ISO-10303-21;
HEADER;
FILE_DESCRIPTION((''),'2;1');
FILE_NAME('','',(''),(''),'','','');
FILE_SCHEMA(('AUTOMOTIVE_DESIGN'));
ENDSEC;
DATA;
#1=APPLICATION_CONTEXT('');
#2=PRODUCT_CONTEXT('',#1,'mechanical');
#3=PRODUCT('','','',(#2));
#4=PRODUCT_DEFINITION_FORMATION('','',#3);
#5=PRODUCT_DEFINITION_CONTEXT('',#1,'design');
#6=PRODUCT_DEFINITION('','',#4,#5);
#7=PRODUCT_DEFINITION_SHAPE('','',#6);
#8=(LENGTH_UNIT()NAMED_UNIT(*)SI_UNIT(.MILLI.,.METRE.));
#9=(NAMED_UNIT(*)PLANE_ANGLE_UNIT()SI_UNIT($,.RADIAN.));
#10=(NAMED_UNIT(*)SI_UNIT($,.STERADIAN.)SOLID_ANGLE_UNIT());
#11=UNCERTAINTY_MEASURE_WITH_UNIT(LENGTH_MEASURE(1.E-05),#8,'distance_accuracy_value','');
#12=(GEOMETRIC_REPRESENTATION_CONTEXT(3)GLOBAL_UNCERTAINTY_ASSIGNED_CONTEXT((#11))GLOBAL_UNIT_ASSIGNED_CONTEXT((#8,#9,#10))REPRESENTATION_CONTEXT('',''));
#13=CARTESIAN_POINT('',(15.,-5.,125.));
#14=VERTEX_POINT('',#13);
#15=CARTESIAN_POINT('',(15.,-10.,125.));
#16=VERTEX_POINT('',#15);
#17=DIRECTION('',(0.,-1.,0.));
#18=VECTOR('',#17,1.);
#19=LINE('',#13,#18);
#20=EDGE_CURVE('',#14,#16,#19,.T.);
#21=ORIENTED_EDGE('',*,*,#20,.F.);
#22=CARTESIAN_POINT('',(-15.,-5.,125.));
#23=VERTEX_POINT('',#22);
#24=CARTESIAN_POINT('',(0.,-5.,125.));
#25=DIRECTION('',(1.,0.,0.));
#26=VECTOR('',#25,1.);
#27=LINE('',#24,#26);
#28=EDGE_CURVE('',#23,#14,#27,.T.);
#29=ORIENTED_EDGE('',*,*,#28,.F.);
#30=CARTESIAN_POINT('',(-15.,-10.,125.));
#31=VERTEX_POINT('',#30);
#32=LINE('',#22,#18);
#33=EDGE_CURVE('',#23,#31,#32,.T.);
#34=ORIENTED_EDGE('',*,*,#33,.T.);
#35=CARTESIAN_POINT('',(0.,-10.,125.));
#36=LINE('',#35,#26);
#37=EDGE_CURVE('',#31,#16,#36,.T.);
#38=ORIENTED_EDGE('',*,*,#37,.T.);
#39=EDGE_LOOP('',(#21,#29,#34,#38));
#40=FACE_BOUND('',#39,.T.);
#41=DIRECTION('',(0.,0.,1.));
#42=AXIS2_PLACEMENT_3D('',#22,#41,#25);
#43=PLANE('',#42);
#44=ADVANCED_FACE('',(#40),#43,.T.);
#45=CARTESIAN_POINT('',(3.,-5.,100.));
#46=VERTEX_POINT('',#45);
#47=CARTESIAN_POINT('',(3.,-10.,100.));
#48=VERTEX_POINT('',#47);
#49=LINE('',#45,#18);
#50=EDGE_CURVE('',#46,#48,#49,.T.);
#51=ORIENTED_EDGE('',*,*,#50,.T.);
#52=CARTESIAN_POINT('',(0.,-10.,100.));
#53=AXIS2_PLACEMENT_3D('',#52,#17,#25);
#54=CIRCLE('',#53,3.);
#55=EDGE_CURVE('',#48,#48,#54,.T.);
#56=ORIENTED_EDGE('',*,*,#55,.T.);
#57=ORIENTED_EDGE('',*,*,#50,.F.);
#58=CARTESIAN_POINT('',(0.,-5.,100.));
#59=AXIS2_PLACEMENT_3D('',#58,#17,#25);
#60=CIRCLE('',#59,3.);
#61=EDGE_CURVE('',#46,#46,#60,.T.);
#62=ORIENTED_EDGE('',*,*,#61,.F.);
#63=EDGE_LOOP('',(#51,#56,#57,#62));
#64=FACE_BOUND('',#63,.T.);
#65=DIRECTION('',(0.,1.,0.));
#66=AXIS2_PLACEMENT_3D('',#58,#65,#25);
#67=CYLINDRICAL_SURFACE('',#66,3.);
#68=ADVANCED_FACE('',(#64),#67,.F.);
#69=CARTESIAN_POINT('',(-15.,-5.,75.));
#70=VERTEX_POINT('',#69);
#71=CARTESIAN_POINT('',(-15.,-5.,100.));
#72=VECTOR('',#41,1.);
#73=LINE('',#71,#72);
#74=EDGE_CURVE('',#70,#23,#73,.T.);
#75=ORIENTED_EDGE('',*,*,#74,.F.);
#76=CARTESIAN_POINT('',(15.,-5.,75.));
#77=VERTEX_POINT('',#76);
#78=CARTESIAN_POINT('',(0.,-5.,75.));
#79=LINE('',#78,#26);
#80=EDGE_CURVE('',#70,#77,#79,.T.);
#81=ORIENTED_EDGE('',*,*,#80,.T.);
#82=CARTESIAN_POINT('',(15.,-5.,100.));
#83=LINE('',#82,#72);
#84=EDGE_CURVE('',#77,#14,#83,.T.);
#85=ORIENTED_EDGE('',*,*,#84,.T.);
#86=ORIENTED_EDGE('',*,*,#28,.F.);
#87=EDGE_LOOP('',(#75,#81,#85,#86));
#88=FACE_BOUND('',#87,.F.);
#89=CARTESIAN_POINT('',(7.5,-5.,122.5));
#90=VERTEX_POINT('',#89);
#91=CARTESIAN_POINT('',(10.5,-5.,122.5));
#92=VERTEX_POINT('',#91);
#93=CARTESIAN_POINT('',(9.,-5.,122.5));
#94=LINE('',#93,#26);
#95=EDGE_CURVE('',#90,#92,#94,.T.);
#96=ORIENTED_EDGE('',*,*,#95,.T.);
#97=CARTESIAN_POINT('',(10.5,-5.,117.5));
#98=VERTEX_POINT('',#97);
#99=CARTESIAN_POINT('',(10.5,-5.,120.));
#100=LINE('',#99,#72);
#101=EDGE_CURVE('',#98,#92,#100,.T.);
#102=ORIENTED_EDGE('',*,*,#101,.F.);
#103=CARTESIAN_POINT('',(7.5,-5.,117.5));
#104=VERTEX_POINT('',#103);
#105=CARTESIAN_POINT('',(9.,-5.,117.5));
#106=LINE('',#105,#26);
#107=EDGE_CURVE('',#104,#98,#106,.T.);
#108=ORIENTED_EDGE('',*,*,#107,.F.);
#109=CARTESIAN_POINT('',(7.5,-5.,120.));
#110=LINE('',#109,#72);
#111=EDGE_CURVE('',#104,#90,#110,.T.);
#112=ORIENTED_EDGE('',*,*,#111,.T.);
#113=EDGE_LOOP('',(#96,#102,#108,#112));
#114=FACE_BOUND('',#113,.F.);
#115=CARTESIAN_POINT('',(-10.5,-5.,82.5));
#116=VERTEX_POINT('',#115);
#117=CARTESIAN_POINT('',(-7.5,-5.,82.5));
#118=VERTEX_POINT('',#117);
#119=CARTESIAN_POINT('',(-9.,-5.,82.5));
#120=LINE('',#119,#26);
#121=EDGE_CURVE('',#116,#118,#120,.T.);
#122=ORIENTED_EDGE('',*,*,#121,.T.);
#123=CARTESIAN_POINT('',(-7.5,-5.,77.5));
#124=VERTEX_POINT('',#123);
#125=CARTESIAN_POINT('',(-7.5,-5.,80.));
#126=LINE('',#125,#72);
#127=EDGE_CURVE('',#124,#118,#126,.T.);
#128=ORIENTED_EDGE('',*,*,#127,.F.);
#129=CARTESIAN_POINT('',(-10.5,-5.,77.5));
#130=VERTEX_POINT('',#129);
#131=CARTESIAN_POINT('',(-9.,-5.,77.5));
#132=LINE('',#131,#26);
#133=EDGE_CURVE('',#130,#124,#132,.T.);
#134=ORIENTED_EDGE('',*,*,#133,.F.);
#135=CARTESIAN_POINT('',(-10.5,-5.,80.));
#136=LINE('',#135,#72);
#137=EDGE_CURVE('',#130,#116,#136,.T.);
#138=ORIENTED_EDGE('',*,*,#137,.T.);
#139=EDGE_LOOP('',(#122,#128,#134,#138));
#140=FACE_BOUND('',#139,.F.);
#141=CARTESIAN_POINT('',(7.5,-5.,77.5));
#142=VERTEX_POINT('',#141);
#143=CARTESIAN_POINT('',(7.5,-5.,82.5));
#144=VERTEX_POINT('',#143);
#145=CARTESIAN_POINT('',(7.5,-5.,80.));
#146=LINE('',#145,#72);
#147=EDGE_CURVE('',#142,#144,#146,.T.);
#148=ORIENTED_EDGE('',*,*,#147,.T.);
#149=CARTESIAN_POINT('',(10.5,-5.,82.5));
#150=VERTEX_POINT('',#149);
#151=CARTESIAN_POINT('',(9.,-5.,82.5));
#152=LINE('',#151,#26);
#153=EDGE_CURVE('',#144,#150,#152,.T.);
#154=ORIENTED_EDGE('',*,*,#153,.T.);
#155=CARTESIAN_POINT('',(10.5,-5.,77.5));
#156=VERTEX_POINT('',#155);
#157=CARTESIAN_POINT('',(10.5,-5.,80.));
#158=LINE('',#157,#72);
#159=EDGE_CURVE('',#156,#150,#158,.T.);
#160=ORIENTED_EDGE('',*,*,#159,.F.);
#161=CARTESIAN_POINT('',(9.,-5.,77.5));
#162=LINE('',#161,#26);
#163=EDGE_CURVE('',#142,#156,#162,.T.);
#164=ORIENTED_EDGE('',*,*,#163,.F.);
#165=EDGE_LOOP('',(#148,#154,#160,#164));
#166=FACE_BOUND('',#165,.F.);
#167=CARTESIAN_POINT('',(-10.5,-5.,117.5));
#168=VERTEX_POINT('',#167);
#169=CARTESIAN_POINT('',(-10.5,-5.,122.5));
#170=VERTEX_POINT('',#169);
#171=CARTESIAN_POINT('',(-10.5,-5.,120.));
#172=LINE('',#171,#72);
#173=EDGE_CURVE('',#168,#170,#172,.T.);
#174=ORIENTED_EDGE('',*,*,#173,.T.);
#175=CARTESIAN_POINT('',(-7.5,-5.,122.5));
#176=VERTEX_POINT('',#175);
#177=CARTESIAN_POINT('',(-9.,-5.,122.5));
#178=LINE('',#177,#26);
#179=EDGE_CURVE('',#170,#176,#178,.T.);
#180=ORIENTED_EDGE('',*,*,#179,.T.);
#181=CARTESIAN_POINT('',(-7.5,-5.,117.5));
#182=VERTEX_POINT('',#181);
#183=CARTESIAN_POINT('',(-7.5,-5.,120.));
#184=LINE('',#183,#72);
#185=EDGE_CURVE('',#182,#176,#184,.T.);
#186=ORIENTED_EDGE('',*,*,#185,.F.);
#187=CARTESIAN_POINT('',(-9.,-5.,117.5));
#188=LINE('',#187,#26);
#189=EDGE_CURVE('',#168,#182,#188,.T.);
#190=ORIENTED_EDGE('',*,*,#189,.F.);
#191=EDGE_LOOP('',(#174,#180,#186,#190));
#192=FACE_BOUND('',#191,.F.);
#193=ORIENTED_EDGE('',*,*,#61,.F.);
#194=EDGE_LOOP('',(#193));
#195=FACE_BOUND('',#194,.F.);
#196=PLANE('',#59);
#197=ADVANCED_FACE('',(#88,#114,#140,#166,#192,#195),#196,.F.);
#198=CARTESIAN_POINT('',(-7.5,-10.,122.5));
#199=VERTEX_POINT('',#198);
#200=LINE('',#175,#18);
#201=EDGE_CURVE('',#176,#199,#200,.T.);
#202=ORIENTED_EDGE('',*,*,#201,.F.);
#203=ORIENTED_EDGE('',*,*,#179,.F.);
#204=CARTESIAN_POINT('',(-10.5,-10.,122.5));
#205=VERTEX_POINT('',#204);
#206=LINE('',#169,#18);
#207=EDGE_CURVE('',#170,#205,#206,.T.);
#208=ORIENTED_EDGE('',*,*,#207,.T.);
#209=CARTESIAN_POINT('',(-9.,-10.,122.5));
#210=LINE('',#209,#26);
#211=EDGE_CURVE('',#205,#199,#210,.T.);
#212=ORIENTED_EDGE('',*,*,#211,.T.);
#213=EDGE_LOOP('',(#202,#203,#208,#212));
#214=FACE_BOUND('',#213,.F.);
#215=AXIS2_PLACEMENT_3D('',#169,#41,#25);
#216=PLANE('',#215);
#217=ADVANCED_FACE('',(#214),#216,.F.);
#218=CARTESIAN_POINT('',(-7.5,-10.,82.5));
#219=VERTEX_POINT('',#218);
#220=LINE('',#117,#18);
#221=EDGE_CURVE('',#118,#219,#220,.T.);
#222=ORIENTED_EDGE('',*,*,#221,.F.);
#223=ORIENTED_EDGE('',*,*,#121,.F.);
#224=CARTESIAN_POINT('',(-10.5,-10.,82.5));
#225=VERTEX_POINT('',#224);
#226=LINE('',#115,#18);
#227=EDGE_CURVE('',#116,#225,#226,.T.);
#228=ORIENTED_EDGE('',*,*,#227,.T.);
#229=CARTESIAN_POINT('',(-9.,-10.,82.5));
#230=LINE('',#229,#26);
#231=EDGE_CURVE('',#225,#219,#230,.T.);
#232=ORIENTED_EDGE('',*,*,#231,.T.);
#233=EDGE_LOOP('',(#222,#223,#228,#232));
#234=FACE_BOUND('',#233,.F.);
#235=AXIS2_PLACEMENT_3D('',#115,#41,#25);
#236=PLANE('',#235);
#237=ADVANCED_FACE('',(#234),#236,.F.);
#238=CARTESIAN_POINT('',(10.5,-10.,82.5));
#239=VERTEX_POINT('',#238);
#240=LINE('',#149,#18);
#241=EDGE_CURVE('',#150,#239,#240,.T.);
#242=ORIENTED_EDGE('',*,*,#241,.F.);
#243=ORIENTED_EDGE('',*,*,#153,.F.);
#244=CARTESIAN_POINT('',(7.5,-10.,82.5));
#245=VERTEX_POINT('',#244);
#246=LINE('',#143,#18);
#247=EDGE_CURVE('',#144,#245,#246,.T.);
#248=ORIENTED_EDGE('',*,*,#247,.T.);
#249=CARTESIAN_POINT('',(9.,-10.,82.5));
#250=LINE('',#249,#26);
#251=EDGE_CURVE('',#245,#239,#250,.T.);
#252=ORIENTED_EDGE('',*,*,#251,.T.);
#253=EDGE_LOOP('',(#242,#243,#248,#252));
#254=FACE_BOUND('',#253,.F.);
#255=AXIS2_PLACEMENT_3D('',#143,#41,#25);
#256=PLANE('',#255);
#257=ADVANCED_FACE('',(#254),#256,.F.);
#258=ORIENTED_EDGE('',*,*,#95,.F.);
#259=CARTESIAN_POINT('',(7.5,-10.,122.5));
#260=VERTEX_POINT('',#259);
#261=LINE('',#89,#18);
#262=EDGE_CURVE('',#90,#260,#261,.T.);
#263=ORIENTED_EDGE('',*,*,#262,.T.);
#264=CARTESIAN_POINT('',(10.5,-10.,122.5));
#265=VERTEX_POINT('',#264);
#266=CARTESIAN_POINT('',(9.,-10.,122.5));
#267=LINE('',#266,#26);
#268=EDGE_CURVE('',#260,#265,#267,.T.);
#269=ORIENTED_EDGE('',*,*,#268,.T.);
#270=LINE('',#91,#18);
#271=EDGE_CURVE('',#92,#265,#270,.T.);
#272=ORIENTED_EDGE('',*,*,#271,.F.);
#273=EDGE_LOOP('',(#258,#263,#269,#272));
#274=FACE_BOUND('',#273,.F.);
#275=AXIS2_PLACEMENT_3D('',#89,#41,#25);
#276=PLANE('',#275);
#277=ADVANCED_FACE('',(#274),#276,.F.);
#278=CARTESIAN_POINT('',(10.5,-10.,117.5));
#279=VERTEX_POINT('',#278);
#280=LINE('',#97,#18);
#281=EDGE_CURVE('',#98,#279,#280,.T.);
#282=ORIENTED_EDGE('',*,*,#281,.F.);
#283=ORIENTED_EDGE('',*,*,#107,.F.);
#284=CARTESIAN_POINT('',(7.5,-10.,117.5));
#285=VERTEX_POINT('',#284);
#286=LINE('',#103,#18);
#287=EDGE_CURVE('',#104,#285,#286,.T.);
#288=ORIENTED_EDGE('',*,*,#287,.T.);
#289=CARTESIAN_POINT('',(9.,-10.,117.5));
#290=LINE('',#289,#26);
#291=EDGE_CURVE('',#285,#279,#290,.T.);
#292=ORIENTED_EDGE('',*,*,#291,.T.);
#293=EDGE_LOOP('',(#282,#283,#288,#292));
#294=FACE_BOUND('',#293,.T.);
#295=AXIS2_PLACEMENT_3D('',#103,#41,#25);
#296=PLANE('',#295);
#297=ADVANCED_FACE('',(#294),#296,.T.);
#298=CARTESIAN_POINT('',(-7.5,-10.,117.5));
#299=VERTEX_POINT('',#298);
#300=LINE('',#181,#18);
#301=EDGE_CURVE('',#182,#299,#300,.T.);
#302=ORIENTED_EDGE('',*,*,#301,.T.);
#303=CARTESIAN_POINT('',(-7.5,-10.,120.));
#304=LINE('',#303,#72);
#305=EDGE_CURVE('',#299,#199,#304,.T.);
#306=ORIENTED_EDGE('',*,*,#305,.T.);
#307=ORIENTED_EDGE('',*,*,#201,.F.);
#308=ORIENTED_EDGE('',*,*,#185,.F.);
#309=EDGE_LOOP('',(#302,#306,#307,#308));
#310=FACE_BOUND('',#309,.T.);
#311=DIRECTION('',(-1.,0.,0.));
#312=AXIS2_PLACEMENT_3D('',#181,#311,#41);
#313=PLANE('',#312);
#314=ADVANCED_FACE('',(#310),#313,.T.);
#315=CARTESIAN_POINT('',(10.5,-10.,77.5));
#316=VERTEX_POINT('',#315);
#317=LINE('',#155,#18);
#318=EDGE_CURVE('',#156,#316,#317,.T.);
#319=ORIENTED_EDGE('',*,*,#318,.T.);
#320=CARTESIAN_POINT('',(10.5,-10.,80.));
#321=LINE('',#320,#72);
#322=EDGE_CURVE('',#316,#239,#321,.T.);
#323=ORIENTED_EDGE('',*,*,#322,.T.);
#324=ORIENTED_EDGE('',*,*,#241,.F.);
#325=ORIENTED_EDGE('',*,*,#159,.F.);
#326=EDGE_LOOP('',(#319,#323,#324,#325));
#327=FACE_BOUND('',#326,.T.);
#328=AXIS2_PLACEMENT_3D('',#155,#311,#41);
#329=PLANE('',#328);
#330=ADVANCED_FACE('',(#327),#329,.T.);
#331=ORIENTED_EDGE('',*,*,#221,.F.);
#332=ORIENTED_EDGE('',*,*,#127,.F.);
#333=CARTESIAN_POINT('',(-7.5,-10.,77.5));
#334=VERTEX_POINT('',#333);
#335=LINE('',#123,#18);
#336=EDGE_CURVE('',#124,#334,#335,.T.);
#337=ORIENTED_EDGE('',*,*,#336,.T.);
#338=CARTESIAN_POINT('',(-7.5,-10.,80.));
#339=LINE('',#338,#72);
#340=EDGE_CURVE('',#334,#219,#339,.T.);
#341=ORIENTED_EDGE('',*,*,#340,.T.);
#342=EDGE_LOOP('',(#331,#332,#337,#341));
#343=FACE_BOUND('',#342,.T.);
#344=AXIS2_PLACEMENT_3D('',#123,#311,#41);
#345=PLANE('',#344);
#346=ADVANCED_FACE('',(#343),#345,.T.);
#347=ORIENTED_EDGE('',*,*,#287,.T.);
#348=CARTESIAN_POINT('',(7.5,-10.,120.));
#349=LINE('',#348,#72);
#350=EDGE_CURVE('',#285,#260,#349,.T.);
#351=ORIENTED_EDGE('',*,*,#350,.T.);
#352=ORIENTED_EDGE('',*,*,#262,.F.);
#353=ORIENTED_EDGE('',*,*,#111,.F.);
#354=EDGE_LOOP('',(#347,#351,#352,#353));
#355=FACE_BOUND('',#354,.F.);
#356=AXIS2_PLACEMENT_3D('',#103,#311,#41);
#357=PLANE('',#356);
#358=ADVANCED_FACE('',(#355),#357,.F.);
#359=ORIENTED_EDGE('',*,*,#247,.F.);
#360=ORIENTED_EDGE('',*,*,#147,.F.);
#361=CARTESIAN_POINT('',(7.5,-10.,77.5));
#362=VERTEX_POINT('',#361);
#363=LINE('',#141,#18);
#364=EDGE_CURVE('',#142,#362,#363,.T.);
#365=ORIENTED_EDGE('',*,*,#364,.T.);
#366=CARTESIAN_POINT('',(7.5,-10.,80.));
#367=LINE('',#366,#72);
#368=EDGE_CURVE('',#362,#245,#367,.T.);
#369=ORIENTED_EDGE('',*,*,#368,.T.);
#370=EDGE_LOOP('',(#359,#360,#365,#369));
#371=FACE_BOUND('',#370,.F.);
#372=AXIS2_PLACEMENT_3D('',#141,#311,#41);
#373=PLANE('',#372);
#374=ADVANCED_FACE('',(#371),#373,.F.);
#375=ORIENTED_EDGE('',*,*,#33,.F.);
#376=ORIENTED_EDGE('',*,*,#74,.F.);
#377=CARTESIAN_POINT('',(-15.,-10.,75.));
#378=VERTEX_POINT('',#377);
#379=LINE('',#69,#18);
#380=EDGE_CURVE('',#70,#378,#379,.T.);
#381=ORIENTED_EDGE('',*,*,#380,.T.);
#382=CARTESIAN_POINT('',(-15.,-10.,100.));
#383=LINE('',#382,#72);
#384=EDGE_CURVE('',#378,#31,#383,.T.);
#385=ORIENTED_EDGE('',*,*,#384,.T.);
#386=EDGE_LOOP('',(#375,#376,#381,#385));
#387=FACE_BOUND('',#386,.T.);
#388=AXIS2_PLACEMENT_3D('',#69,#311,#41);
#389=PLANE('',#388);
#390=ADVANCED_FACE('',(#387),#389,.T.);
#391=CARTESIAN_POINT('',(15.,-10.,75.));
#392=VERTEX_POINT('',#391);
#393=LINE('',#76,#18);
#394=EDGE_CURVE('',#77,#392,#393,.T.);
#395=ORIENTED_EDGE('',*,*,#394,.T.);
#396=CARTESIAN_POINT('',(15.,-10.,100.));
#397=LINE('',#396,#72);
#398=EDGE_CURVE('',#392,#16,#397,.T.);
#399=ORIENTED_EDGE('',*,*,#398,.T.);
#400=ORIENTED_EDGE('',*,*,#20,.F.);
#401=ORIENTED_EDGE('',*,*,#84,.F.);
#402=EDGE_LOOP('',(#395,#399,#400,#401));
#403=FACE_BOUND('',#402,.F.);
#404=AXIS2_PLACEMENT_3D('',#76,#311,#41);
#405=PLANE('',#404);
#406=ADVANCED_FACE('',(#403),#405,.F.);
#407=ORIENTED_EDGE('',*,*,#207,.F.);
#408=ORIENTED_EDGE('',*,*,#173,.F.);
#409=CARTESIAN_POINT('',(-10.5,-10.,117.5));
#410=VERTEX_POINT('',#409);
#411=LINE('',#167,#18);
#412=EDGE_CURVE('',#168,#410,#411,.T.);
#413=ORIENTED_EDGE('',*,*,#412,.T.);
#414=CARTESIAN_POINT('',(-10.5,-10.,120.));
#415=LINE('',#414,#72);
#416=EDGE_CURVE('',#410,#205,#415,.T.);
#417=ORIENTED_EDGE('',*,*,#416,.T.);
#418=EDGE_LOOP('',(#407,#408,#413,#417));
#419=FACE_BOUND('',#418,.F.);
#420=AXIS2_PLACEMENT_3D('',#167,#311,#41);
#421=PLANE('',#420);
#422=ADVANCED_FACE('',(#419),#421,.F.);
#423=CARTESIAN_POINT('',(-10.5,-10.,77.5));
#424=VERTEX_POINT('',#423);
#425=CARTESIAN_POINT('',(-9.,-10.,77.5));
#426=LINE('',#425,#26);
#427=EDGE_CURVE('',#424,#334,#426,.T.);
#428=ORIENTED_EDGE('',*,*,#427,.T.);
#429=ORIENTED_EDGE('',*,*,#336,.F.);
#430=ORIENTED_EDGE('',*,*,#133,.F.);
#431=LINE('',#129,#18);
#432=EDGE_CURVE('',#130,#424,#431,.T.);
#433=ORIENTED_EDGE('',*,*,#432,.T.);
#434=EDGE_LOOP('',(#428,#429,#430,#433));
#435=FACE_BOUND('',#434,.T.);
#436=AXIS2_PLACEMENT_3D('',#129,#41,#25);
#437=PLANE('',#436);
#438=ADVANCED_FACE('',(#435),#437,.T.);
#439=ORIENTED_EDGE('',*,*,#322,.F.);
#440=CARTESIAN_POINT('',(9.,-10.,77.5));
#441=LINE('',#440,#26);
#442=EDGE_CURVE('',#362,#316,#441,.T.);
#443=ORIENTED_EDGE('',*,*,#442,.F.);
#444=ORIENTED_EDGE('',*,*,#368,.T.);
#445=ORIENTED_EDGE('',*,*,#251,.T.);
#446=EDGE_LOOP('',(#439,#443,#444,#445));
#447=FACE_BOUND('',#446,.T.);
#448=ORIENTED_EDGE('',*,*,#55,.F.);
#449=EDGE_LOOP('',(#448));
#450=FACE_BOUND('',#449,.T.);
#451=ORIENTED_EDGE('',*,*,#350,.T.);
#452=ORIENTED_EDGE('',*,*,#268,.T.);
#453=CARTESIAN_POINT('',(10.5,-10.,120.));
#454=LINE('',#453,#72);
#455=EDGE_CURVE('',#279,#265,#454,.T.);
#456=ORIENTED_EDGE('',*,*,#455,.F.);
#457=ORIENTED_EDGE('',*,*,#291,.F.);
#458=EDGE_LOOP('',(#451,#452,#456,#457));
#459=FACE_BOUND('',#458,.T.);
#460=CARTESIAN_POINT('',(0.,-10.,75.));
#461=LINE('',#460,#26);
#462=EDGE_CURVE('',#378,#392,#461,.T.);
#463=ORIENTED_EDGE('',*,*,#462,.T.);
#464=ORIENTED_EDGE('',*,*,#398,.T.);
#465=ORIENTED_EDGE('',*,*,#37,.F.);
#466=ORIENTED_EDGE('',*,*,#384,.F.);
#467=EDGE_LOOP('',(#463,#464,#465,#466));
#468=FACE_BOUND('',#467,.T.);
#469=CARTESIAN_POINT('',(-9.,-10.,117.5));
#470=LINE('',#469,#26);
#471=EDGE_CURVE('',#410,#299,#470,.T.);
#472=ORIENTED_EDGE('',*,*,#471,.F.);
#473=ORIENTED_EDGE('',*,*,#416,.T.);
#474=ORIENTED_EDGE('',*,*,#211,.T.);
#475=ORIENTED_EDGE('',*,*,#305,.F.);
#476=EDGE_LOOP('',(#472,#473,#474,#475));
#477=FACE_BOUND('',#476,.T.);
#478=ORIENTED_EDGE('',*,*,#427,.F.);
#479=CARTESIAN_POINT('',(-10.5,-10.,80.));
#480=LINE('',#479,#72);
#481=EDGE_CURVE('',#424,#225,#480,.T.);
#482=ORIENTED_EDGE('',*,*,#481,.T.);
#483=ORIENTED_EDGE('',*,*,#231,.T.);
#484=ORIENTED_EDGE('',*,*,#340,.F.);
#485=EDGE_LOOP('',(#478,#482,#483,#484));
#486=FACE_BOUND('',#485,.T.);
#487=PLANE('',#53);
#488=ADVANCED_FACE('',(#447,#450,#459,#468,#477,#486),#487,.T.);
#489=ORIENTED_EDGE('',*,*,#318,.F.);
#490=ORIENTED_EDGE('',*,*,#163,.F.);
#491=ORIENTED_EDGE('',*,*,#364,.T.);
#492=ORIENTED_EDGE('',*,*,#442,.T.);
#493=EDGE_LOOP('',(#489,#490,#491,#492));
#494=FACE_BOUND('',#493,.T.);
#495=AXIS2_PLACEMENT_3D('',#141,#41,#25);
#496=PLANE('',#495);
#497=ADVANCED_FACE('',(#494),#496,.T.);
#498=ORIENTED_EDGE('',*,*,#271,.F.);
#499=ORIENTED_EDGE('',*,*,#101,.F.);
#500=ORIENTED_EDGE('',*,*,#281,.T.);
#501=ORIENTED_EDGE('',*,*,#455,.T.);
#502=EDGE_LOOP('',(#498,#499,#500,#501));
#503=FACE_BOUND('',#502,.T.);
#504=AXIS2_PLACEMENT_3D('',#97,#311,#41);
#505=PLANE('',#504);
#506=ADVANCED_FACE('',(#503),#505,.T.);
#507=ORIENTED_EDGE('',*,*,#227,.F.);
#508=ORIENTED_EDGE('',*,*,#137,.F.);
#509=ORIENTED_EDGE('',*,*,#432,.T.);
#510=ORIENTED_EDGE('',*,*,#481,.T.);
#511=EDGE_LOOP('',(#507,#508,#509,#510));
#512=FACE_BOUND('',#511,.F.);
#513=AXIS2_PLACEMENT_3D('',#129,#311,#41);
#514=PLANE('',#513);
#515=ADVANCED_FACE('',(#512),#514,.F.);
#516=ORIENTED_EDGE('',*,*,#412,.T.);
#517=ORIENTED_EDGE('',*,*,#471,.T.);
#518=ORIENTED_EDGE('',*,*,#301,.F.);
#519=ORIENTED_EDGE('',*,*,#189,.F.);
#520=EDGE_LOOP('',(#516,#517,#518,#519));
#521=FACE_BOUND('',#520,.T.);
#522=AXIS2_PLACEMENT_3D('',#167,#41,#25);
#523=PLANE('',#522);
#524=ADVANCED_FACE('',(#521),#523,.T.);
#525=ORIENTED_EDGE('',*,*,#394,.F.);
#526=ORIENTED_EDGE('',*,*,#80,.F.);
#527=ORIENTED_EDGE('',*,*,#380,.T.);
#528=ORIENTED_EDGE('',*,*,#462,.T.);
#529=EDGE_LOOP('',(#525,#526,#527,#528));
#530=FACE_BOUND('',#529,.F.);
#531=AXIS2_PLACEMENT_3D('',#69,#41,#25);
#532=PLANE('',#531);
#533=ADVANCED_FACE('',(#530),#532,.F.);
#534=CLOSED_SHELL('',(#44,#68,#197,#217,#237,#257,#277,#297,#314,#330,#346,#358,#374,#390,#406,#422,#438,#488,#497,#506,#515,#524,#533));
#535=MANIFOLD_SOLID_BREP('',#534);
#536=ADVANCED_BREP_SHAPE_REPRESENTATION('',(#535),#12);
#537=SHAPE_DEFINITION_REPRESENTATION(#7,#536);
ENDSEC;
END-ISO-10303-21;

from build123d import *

# Parameters (mm, degrees)
SKETCH012_W   = 30
SKETCH012_H   = 50
SKETCH012_R   = 3
SKETCH012_W_2 = 3
SKETCH012_H_2 = 5
PAD012_DEPTH  = 5


with BuildPart() as part:
    # Sketch012 → Pad012 (new body)
    with BuildSketch(Plane(origin=(0, -5, 100), x_dir=(1, 0, 0), z_dir=(0, -1, 0))):
        Rectangle(SKETCH012_W, SKETCH012_H)
        Circle(SKETCH012_R, mode=Mode.SUBTRACT)
        with Locations((-9, 20)):
            Rectangle(SKETCH012_W_2, SKETCH012_H_2, mode=Mode.SUBTRACT)
        with Locations((9, 20)):
            Rectangle(SKETCH012_W_2, SKETCH012_H_2, mode=Mode.SUBTRACT)
        with Locations((-9, -20)):
            Rectangle(SKETCH012_W_2, SKETCH012_H_2, mode=Mode.SUBTRACT)
        with Locations((9, -20)):
            Rectangle(SKETCH012_W_2, SKETCH012_H_2, mode=Mode.SUBTRACT)
    extrude(amount=PAD012_DEPTH)


solid = part.part
